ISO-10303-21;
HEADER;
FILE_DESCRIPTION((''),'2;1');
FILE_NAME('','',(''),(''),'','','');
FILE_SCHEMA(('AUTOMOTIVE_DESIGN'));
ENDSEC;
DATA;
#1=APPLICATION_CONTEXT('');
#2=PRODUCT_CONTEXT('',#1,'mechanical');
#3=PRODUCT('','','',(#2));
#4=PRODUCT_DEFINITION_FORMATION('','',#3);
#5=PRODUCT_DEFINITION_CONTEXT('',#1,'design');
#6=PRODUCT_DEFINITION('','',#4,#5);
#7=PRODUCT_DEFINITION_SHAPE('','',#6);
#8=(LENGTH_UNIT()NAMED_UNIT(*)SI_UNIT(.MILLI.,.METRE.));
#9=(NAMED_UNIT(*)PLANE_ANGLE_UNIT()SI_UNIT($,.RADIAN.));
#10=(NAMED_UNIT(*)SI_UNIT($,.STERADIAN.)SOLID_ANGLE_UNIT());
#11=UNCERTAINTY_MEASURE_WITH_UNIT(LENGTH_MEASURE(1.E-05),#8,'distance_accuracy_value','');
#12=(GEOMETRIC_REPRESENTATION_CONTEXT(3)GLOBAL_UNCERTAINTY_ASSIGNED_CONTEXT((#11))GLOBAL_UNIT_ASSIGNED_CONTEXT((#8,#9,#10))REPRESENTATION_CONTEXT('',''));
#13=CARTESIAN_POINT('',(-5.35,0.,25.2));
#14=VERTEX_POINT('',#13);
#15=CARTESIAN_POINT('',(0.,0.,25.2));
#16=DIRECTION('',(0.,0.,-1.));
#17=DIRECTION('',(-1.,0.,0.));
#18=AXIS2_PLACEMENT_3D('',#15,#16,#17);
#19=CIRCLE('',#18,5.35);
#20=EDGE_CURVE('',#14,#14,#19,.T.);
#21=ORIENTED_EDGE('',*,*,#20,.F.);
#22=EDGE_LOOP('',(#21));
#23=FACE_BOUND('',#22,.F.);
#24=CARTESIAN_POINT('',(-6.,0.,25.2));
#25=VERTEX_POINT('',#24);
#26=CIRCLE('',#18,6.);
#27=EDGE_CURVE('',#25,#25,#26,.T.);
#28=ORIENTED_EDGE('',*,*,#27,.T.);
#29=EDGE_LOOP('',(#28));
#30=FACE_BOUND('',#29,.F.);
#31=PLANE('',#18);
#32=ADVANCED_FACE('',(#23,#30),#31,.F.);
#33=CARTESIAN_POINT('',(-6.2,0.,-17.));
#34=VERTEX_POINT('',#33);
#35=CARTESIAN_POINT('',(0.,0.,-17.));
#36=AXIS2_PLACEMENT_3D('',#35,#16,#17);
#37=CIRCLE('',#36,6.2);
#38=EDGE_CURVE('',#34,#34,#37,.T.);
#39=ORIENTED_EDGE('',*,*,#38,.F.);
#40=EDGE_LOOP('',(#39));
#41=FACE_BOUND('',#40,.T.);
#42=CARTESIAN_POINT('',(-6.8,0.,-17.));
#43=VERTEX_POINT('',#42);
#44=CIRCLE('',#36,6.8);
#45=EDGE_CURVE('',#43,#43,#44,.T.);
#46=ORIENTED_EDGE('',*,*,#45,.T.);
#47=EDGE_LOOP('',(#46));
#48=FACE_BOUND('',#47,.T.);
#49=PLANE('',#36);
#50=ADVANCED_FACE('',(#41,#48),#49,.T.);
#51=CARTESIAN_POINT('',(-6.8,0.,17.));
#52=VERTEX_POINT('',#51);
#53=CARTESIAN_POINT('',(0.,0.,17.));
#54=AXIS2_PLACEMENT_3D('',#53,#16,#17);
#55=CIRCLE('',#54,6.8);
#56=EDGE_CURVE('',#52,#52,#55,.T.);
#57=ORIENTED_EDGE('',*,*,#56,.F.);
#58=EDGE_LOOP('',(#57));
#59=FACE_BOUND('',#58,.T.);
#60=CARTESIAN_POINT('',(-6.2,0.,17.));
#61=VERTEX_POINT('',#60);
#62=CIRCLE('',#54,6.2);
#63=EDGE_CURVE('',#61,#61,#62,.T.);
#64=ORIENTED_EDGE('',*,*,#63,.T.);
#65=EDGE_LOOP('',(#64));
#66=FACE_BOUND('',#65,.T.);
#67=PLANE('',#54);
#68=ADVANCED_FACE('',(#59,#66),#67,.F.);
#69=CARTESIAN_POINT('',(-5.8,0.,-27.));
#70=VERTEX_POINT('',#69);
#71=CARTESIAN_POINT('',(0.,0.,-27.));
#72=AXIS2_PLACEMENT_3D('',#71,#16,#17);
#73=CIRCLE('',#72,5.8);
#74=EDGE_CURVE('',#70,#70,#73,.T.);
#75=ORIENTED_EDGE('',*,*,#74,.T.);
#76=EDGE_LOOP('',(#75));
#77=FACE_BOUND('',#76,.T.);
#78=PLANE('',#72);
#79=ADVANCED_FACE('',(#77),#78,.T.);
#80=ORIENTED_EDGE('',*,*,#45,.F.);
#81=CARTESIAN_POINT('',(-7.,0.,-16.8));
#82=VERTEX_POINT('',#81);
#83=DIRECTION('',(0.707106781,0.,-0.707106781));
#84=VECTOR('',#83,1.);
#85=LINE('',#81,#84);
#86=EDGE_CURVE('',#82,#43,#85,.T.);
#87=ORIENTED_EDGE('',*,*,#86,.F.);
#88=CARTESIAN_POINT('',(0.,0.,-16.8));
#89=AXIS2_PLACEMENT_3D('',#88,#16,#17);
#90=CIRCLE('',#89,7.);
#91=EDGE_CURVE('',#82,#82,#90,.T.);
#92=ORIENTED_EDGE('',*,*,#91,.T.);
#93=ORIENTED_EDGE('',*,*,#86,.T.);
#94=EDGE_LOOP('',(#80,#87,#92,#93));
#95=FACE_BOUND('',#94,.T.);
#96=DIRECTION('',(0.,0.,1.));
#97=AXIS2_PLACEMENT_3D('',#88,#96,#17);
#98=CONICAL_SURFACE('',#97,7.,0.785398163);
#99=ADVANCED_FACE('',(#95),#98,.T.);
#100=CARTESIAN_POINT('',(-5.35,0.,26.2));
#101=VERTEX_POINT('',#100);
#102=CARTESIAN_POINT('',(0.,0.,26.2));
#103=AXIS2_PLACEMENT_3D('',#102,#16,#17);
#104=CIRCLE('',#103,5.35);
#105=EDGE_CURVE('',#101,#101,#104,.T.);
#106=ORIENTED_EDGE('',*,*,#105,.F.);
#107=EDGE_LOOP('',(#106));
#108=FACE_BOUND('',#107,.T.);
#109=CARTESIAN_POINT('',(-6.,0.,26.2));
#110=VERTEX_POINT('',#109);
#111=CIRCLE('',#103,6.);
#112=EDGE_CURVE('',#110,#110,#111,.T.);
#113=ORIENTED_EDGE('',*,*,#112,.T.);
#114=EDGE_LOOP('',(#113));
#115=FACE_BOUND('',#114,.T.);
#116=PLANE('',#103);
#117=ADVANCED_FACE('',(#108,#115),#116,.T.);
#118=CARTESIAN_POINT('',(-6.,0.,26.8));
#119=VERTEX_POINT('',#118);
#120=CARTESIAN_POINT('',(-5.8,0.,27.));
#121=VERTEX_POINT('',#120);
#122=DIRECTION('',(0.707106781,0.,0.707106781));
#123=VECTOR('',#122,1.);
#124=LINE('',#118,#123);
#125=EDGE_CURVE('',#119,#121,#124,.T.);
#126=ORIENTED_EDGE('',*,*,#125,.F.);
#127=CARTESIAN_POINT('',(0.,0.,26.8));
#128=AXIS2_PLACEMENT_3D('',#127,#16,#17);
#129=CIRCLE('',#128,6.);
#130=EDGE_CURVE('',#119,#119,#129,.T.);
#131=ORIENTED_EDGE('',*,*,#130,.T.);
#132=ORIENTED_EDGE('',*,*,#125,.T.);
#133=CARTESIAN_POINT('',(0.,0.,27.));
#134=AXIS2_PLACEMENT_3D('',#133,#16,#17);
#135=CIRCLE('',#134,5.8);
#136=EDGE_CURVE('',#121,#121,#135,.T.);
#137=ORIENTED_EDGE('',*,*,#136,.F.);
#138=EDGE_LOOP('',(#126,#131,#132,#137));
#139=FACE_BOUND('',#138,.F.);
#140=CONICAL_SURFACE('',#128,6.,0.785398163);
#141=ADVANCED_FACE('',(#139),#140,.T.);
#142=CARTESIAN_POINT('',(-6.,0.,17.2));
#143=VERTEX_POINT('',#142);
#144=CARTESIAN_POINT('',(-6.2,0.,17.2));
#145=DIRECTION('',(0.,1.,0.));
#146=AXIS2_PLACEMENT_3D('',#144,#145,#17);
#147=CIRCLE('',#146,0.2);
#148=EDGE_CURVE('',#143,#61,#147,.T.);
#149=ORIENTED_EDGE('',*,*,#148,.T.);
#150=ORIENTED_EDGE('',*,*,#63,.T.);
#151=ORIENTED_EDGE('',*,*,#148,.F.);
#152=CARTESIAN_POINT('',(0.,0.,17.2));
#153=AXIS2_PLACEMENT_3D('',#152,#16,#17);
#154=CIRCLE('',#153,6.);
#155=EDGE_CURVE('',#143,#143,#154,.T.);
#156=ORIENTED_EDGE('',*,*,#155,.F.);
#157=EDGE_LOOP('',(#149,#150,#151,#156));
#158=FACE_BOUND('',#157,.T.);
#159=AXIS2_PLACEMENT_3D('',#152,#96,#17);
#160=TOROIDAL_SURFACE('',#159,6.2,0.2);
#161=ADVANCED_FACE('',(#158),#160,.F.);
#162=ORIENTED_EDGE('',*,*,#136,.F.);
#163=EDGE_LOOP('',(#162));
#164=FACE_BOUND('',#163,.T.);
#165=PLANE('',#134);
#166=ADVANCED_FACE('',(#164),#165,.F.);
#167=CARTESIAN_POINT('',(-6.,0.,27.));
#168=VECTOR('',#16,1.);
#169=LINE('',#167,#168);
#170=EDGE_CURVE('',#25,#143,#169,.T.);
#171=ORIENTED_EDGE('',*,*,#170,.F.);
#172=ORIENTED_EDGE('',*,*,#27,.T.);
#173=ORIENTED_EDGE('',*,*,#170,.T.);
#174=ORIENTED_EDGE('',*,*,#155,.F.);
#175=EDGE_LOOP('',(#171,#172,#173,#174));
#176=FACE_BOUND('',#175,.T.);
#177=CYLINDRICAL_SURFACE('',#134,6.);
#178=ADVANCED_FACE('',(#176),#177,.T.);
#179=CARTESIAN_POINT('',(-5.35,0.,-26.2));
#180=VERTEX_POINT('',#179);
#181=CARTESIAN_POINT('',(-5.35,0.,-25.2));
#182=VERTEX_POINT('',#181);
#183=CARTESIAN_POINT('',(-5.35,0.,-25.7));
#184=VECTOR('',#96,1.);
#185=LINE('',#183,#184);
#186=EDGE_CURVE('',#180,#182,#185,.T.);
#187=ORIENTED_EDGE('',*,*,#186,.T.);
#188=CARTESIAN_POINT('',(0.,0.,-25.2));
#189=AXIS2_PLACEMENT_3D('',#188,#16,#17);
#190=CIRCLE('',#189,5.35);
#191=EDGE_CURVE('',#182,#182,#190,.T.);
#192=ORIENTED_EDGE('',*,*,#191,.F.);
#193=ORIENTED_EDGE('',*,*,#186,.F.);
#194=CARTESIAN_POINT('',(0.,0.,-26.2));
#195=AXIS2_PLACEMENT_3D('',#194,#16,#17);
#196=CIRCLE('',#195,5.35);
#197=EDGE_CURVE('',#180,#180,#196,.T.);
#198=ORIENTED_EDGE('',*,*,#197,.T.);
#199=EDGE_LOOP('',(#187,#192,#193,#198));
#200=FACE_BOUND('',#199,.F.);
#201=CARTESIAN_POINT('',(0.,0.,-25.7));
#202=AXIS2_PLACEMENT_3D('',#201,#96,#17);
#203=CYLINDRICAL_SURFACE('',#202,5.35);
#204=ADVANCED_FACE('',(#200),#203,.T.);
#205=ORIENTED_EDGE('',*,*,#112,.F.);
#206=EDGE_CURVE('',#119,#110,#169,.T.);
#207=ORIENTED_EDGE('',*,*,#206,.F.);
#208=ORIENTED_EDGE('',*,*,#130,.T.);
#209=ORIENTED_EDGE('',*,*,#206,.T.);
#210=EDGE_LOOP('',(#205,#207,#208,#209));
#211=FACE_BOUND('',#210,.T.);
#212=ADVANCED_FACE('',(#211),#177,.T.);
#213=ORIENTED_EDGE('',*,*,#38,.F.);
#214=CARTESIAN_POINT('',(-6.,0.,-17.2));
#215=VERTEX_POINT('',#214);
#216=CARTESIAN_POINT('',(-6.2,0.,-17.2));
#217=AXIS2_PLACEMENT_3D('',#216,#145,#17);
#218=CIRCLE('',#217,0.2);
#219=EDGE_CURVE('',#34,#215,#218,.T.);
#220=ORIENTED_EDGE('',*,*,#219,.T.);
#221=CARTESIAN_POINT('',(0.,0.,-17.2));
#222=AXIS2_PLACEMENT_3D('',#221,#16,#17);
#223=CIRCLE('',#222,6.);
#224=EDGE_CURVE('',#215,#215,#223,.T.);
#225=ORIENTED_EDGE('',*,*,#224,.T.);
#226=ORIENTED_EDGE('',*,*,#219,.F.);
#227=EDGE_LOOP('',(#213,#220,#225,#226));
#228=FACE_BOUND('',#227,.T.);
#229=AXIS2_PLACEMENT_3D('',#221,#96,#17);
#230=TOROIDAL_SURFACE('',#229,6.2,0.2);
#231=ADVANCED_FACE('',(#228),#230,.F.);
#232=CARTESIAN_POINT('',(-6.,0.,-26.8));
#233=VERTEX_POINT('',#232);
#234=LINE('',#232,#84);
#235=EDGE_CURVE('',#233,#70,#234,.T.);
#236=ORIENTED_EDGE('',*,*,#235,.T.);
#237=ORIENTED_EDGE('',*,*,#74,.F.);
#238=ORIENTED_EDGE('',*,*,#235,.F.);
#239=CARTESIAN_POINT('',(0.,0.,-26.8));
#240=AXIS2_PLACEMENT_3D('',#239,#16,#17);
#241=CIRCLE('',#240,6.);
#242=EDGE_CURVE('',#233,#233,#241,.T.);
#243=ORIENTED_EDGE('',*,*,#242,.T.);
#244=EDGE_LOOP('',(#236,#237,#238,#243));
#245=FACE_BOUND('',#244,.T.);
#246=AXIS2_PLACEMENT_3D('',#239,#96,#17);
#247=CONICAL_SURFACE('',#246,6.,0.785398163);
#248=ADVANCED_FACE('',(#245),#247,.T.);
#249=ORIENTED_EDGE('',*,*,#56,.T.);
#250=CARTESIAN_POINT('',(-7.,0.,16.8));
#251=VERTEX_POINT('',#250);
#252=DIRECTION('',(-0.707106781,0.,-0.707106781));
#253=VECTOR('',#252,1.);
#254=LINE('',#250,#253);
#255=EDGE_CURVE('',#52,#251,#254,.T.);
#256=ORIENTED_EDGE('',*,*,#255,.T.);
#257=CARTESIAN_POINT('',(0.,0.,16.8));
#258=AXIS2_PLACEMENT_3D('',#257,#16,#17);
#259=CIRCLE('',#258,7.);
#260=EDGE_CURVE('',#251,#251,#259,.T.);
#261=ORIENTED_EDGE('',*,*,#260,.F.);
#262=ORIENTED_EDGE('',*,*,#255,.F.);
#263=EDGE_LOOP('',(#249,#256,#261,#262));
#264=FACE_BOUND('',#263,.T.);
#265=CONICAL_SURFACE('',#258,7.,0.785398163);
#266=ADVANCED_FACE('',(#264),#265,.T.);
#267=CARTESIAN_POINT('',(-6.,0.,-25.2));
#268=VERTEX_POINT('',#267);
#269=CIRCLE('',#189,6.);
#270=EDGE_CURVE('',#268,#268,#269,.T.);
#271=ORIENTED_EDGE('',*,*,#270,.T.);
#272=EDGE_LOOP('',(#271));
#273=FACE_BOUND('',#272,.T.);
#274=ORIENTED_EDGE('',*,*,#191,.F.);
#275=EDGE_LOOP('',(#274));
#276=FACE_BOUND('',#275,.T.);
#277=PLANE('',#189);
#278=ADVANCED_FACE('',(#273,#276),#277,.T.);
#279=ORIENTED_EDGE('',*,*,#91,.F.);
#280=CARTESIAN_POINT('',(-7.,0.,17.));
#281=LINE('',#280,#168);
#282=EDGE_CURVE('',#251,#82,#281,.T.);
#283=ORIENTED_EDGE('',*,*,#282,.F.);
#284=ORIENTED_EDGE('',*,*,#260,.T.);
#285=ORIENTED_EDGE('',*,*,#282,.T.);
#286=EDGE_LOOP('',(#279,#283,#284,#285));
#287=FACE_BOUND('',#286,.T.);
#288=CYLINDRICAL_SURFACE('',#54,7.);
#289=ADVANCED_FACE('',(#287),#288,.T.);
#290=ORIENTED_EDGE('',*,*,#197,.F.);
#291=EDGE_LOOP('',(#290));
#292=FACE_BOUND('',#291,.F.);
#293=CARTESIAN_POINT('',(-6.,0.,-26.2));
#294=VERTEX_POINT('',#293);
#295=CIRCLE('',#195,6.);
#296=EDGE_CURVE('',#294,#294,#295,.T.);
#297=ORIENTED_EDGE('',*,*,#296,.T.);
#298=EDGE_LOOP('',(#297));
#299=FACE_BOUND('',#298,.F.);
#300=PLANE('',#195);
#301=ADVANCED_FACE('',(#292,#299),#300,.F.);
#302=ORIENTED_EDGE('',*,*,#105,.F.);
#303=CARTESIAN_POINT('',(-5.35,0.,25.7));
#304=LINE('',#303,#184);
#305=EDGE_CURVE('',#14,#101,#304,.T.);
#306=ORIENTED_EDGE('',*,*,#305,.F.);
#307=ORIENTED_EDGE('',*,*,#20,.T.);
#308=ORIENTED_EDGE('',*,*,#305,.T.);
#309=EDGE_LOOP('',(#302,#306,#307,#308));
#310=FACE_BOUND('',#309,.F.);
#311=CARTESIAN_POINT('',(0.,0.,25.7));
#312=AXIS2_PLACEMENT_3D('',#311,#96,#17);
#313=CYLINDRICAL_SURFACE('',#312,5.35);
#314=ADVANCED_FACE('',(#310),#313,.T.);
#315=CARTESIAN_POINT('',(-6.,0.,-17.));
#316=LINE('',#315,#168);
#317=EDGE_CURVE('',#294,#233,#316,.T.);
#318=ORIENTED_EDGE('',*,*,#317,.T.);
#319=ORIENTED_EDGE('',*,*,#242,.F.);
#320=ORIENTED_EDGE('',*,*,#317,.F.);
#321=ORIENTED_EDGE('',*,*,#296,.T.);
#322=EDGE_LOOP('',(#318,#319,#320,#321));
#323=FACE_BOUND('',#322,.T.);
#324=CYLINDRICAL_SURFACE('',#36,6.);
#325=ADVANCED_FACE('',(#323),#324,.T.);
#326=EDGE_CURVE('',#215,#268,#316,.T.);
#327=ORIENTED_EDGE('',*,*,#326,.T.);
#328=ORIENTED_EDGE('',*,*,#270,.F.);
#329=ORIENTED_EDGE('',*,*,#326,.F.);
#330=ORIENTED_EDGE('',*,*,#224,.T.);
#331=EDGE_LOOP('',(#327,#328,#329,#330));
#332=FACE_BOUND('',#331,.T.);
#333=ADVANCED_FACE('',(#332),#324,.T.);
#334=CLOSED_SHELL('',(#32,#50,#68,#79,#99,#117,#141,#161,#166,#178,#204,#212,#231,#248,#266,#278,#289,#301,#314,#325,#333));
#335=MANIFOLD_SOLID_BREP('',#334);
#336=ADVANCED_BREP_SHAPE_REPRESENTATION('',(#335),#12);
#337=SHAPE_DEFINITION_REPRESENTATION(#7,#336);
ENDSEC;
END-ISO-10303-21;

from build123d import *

# Parameters (mm, degrees)
F2_W    = 0.65
F2_H    = 1
F4_R    = 0.2
F5_SIZE = 0.2


with BuildPart() as f1:
    # F0 (on Front) → F1 (revolve)
    with BuildSketch(Plane.XZ):
        Polygon((0, -27), (0, 27), (-6, 27), (-6, 17), (-7, 17), (-7, -17), (-6, -17), (-6, -27), align=None)
    revolve(axis=Axis((0, 0, -1.756099), (0, 0, -1)))

    # F2 (on Front) → F3 (revolve, cut)
    with BuildSketch(Plane.XZ):
        with Locations((-5.675, 25.7)):
            Rectangle(F2_W, F2_H)
        with Locations((-5.675, -25.7)):
            Rectangle(F2_W, F2_H)
    revolve(axis=Axis((0, 0, 0.721304), (0, 0, -1)), mode=Mode.SUBTRACT)

    # F4
    f4_edges = [f1.edges().sort_by_distance(p)[0] for p in [
        (6, 0, 17),
        (6, 0, -17),
    ]]
    fillet(f4_edges, radius=F4_R)

    # F5
    f5_edges = [f1.edges().sort_by_distance(p)[0] for p in [
        (7, 0, -17),
        (7, 0, 17),
        (6, 0, 27),
        (6, 0, -27),
    ]]
    chamfer(f5_edges, length=F5_SIZE)


solid = f1.part
